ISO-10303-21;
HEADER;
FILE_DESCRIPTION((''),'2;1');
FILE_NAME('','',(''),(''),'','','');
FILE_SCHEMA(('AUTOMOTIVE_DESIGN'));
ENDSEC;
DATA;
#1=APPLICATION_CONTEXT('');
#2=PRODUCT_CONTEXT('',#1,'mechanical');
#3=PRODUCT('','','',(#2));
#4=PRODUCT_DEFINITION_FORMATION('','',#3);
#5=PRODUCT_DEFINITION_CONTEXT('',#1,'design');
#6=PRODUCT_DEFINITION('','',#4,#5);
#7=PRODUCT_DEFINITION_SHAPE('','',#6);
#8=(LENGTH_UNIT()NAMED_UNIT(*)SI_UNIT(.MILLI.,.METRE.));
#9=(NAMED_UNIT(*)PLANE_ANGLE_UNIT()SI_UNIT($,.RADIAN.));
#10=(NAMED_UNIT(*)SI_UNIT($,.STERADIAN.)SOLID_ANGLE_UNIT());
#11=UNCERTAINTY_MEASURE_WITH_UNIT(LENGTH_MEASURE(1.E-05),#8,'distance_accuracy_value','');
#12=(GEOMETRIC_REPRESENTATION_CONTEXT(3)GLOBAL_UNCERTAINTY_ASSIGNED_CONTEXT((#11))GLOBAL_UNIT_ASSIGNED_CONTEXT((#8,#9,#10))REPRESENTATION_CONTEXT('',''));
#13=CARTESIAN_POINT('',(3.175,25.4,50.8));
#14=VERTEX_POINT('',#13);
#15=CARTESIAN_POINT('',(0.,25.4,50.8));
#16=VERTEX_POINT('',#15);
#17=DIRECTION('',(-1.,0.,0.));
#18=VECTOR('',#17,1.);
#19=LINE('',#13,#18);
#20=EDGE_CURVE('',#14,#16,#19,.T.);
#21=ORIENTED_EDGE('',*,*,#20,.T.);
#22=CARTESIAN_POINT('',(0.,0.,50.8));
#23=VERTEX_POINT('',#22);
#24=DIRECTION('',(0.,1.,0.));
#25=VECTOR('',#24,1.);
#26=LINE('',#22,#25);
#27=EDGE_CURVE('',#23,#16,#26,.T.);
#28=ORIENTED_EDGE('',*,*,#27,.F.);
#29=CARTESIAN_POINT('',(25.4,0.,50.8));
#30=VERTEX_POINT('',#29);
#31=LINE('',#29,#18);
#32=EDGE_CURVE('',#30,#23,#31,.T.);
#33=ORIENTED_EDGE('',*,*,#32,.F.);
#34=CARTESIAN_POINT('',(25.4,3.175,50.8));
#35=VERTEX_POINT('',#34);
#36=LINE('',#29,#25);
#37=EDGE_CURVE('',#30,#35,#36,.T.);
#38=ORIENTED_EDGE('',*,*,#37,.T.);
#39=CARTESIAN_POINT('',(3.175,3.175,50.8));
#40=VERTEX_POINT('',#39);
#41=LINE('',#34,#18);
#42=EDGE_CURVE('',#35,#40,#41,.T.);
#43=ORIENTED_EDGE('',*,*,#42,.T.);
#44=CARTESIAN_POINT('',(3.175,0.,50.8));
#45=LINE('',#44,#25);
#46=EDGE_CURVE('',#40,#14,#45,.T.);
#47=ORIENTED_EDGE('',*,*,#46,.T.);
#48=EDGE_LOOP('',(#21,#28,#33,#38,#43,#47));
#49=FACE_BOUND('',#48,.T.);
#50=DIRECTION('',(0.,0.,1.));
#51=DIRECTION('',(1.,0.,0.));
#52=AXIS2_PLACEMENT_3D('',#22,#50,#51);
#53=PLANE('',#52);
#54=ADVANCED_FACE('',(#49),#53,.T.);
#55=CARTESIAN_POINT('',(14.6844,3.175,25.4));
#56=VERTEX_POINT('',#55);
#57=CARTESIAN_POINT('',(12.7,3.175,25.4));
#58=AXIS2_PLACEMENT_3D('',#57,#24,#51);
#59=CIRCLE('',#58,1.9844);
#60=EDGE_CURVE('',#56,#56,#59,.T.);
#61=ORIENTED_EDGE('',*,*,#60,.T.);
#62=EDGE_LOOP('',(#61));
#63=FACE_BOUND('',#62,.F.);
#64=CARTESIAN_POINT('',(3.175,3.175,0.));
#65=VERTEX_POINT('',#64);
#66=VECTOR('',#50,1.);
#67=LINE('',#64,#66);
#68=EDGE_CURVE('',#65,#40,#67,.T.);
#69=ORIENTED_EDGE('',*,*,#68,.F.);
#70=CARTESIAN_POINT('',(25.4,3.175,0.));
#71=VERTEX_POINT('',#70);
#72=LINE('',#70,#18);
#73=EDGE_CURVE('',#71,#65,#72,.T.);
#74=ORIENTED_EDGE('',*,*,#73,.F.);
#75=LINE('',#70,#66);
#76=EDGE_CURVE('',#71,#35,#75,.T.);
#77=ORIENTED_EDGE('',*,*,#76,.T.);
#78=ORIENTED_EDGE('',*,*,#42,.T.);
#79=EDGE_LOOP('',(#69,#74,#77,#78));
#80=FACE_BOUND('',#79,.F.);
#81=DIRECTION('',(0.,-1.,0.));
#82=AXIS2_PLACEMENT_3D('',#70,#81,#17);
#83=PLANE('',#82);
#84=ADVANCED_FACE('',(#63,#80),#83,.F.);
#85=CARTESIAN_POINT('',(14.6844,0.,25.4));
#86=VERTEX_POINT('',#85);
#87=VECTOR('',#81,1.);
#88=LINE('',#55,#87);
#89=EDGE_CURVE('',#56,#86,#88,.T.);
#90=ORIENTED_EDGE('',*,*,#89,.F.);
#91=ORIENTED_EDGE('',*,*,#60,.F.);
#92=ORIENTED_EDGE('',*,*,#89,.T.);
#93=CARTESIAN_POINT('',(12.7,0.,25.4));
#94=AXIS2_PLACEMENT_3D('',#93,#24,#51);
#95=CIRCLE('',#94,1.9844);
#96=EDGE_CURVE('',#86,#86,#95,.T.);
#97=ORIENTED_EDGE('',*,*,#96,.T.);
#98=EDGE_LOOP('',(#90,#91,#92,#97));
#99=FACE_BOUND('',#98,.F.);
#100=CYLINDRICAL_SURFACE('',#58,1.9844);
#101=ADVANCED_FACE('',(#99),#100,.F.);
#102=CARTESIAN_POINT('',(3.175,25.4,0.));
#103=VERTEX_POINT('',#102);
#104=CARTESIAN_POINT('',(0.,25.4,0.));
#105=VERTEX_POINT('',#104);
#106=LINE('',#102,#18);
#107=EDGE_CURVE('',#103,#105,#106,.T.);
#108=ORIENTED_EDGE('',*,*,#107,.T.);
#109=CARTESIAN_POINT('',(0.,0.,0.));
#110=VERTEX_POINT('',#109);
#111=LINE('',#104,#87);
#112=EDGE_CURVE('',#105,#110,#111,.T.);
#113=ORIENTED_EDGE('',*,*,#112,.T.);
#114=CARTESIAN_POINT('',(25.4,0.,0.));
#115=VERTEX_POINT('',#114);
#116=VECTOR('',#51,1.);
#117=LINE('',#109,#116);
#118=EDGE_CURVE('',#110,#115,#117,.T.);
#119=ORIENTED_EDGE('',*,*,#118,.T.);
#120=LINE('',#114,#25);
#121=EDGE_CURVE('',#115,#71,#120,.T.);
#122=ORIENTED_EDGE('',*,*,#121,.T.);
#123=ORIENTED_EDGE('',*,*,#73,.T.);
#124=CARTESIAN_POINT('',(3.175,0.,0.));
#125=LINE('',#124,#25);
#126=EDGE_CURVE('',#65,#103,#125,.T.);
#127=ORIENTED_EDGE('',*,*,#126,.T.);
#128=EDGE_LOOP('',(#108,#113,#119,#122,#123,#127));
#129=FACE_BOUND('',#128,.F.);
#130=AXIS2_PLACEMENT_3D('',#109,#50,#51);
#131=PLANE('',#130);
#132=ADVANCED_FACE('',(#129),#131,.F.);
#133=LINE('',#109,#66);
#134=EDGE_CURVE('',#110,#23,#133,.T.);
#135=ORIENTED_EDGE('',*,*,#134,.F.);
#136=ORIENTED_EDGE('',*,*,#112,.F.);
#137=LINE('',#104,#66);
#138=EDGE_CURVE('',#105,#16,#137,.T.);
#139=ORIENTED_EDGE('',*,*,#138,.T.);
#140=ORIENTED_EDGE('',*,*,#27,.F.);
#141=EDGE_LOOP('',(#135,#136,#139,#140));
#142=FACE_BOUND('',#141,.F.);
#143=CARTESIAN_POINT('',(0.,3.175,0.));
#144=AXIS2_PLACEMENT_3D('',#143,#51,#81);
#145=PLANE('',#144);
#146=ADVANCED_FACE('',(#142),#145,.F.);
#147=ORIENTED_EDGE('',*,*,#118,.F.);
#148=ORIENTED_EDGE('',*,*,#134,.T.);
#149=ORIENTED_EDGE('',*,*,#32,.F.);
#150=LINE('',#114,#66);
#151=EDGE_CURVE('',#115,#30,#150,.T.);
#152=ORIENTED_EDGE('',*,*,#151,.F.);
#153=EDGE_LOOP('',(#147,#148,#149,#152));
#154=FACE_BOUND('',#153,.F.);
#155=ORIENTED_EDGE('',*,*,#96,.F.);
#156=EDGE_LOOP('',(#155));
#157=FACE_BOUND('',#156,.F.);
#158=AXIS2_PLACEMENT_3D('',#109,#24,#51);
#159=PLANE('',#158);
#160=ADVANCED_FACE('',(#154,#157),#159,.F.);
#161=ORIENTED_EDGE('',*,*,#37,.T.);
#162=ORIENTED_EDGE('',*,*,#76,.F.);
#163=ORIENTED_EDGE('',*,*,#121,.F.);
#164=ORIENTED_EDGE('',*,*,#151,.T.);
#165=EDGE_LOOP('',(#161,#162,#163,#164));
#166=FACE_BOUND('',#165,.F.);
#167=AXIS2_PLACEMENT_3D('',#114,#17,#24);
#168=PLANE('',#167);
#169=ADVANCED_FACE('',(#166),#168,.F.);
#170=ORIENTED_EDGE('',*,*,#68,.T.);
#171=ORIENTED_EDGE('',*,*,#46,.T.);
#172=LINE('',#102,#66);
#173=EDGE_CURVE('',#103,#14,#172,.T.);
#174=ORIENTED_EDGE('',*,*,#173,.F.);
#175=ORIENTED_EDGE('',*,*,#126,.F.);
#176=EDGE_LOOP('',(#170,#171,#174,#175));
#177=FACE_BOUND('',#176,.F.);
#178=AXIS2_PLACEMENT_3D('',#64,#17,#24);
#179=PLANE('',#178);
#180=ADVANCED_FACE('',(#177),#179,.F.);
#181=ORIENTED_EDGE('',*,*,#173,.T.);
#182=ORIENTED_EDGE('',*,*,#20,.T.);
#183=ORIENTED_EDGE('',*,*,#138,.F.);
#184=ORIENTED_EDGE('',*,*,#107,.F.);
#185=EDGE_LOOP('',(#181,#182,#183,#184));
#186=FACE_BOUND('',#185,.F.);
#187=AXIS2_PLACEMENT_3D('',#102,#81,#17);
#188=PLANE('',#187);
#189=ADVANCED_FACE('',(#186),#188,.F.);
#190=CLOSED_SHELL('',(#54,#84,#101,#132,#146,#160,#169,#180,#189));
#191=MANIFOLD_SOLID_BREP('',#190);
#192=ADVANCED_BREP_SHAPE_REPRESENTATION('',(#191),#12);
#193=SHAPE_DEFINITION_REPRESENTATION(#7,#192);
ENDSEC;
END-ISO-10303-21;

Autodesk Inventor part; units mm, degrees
ref_plane "YZ Plane" through (0, 0, 0) normal (1, 0, 0) x (0, 1, 0)
ref_plane "XZ Plane" through (0, 0, 0) normal (0, 1, 0) x (-1, 0, 0)
ref_plane "XY Plane" through (0, 0, 0) normal (0, 0, 1) x (1, 0, 0)
sketch "Sketch1" plane through (0, 0, 0) normal (0, 0, 1) x (1, 0, 0)
  line L0 (0, 0) -> (3.175, 0)
  line L1 (3.175, 0) -> (3.175, 25.4)
  line L2 (3.175, 25.4) -> (0, 25.4)
  line L3 (0, 25.4) -> (0, 0)
  line L4 (0, 0) -> (25.4, 0)
  line L5 (25.4, 0) -> (25.4, 3.175)
  line L6 (25.4, 3.175) -> (0, 3.175)
  line L7 (0, 3.175) -> (0, 0)
  dimension "d0" = 3.175
  dimension "d1" = 25.4
  dimension "d2" = 25.4
  dimension "d3" = 3.175
extrude "Extrusion1" add sketch "Sketch1" along normal blind 50.8
sketch "Sketch2" plane through (3.175, 3.175, 0) normal (0, 1, 0) x (1, 0, 0)
  line L0 (-3.175, 0) -> (-3.175, -50.8) construction
  line L1 (-3.175, 0) -> (9.525, 0) construction
  line L2 (22.225, 0) -> (0, 0) construction
  line L3 (9.525, 0) -> (9.525, -25.4) construction
  circle A0 centre (9.525, -25.4) radius 1.9844
  dimension "d6" = 12.7
  dimension "d7" = 25.4
  dimension "d8" = 3.9688
extrude "Extrusion2" cut sketch "Sketch2" against normal blind 50.8
properties part number "1x1 L brackets 2in"
